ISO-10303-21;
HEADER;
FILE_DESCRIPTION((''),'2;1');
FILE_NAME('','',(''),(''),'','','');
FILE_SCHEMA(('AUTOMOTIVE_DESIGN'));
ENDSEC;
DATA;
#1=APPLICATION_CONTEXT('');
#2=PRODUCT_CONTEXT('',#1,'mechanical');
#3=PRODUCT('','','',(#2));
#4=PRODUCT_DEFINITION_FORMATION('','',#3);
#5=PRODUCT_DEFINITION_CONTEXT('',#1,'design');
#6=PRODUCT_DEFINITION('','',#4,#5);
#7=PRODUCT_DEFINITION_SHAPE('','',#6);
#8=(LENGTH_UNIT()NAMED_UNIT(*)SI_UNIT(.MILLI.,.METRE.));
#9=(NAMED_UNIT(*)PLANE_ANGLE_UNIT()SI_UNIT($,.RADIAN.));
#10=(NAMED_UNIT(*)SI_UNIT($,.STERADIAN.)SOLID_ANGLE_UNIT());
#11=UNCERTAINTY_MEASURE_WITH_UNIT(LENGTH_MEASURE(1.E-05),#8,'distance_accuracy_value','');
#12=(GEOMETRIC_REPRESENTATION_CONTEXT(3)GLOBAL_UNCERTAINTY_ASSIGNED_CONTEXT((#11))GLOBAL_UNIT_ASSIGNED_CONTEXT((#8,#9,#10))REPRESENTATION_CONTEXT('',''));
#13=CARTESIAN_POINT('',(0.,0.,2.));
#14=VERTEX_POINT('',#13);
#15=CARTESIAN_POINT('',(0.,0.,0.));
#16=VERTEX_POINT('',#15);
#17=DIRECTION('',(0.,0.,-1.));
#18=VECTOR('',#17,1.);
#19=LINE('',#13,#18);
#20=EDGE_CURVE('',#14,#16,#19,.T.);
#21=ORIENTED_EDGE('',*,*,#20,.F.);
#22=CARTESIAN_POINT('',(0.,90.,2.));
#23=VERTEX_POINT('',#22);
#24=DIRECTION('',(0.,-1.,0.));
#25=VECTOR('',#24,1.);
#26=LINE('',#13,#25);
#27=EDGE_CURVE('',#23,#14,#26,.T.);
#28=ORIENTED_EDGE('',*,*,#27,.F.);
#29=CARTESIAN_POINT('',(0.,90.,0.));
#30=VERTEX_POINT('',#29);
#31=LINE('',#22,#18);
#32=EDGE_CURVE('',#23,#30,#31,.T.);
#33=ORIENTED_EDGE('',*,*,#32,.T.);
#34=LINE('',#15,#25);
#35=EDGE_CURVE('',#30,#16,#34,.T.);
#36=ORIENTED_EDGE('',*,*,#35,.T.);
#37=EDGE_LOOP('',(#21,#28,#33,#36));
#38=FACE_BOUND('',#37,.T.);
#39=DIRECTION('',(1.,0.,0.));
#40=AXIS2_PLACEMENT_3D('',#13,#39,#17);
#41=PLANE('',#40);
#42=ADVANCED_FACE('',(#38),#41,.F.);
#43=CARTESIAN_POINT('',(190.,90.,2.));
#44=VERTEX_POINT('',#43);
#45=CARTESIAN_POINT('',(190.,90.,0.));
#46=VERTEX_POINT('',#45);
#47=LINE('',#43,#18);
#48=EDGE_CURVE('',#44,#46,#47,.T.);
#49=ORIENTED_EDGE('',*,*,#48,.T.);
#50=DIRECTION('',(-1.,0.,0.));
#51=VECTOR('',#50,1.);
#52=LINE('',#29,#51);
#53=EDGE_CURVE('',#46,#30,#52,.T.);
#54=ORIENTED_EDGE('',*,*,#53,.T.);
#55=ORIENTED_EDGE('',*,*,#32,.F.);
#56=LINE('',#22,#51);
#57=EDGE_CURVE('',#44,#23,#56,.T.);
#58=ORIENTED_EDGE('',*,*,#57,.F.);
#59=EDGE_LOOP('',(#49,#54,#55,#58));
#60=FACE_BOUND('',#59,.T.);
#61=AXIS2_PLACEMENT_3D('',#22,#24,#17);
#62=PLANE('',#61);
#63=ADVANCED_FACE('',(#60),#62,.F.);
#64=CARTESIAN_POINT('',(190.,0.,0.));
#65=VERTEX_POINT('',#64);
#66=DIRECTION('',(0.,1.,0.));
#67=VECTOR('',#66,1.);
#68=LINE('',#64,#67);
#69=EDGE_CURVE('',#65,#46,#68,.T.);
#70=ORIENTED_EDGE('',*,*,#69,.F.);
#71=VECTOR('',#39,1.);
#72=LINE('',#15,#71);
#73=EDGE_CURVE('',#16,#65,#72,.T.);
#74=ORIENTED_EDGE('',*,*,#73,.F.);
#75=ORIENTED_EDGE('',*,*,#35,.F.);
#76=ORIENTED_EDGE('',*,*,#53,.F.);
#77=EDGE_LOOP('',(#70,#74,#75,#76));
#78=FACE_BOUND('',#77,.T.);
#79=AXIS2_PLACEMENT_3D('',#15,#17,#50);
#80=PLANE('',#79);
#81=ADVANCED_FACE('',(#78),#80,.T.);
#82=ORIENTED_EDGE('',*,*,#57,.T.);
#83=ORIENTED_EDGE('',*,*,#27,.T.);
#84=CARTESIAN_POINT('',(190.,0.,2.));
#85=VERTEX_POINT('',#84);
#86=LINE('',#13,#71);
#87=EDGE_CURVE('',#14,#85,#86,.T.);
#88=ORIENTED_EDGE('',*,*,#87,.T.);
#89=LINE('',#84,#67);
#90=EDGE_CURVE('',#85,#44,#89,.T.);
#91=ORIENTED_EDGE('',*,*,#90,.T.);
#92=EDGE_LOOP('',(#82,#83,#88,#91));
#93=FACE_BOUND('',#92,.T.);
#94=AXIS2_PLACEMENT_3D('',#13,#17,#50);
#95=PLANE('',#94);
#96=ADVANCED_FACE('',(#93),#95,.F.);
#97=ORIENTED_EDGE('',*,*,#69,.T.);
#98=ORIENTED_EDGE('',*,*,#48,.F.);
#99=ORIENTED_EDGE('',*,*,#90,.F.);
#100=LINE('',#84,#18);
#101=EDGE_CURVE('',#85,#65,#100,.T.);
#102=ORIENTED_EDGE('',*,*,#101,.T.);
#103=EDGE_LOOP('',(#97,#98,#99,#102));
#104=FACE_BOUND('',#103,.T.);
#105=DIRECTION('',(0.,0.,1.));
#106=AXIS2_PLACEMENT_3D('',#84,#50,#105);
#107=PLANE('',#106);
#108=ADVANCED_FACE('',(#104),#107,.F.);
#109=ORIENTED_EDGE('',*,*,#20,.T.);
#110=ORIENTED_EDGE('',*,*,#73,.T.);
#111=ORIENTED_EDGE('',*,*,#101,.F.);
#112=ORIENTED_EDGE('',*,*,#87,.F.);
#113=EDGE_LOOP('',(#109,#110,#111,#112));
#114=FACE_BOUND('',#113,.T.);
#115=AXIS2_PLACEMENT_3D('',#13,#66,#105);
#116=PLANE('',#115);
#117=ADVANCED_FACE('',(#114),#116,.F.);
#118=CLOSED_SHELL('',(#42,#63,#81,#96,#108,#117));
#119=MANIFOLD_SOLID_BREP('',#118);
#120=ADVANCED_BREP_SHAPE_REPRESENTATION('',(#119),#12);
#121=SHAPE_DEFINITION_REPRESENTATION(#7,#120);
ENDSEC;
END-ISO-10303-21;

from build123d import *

# Parameters (mm, degrees)
SKETCH1_W     = 190
SKETCH1_H     = 90
PROFILE_DEPTH = 2


with BuildPart() as part:
    # Sketch1 → Profile (new body)
    with BuildSketch(Plane.XY):
        with Locations((95, 45)):
            Rectangle(SKETCH1_W, SKETCH1_H)
    extrude(amount=PROFILE_DEPTH)


solid = part.part
